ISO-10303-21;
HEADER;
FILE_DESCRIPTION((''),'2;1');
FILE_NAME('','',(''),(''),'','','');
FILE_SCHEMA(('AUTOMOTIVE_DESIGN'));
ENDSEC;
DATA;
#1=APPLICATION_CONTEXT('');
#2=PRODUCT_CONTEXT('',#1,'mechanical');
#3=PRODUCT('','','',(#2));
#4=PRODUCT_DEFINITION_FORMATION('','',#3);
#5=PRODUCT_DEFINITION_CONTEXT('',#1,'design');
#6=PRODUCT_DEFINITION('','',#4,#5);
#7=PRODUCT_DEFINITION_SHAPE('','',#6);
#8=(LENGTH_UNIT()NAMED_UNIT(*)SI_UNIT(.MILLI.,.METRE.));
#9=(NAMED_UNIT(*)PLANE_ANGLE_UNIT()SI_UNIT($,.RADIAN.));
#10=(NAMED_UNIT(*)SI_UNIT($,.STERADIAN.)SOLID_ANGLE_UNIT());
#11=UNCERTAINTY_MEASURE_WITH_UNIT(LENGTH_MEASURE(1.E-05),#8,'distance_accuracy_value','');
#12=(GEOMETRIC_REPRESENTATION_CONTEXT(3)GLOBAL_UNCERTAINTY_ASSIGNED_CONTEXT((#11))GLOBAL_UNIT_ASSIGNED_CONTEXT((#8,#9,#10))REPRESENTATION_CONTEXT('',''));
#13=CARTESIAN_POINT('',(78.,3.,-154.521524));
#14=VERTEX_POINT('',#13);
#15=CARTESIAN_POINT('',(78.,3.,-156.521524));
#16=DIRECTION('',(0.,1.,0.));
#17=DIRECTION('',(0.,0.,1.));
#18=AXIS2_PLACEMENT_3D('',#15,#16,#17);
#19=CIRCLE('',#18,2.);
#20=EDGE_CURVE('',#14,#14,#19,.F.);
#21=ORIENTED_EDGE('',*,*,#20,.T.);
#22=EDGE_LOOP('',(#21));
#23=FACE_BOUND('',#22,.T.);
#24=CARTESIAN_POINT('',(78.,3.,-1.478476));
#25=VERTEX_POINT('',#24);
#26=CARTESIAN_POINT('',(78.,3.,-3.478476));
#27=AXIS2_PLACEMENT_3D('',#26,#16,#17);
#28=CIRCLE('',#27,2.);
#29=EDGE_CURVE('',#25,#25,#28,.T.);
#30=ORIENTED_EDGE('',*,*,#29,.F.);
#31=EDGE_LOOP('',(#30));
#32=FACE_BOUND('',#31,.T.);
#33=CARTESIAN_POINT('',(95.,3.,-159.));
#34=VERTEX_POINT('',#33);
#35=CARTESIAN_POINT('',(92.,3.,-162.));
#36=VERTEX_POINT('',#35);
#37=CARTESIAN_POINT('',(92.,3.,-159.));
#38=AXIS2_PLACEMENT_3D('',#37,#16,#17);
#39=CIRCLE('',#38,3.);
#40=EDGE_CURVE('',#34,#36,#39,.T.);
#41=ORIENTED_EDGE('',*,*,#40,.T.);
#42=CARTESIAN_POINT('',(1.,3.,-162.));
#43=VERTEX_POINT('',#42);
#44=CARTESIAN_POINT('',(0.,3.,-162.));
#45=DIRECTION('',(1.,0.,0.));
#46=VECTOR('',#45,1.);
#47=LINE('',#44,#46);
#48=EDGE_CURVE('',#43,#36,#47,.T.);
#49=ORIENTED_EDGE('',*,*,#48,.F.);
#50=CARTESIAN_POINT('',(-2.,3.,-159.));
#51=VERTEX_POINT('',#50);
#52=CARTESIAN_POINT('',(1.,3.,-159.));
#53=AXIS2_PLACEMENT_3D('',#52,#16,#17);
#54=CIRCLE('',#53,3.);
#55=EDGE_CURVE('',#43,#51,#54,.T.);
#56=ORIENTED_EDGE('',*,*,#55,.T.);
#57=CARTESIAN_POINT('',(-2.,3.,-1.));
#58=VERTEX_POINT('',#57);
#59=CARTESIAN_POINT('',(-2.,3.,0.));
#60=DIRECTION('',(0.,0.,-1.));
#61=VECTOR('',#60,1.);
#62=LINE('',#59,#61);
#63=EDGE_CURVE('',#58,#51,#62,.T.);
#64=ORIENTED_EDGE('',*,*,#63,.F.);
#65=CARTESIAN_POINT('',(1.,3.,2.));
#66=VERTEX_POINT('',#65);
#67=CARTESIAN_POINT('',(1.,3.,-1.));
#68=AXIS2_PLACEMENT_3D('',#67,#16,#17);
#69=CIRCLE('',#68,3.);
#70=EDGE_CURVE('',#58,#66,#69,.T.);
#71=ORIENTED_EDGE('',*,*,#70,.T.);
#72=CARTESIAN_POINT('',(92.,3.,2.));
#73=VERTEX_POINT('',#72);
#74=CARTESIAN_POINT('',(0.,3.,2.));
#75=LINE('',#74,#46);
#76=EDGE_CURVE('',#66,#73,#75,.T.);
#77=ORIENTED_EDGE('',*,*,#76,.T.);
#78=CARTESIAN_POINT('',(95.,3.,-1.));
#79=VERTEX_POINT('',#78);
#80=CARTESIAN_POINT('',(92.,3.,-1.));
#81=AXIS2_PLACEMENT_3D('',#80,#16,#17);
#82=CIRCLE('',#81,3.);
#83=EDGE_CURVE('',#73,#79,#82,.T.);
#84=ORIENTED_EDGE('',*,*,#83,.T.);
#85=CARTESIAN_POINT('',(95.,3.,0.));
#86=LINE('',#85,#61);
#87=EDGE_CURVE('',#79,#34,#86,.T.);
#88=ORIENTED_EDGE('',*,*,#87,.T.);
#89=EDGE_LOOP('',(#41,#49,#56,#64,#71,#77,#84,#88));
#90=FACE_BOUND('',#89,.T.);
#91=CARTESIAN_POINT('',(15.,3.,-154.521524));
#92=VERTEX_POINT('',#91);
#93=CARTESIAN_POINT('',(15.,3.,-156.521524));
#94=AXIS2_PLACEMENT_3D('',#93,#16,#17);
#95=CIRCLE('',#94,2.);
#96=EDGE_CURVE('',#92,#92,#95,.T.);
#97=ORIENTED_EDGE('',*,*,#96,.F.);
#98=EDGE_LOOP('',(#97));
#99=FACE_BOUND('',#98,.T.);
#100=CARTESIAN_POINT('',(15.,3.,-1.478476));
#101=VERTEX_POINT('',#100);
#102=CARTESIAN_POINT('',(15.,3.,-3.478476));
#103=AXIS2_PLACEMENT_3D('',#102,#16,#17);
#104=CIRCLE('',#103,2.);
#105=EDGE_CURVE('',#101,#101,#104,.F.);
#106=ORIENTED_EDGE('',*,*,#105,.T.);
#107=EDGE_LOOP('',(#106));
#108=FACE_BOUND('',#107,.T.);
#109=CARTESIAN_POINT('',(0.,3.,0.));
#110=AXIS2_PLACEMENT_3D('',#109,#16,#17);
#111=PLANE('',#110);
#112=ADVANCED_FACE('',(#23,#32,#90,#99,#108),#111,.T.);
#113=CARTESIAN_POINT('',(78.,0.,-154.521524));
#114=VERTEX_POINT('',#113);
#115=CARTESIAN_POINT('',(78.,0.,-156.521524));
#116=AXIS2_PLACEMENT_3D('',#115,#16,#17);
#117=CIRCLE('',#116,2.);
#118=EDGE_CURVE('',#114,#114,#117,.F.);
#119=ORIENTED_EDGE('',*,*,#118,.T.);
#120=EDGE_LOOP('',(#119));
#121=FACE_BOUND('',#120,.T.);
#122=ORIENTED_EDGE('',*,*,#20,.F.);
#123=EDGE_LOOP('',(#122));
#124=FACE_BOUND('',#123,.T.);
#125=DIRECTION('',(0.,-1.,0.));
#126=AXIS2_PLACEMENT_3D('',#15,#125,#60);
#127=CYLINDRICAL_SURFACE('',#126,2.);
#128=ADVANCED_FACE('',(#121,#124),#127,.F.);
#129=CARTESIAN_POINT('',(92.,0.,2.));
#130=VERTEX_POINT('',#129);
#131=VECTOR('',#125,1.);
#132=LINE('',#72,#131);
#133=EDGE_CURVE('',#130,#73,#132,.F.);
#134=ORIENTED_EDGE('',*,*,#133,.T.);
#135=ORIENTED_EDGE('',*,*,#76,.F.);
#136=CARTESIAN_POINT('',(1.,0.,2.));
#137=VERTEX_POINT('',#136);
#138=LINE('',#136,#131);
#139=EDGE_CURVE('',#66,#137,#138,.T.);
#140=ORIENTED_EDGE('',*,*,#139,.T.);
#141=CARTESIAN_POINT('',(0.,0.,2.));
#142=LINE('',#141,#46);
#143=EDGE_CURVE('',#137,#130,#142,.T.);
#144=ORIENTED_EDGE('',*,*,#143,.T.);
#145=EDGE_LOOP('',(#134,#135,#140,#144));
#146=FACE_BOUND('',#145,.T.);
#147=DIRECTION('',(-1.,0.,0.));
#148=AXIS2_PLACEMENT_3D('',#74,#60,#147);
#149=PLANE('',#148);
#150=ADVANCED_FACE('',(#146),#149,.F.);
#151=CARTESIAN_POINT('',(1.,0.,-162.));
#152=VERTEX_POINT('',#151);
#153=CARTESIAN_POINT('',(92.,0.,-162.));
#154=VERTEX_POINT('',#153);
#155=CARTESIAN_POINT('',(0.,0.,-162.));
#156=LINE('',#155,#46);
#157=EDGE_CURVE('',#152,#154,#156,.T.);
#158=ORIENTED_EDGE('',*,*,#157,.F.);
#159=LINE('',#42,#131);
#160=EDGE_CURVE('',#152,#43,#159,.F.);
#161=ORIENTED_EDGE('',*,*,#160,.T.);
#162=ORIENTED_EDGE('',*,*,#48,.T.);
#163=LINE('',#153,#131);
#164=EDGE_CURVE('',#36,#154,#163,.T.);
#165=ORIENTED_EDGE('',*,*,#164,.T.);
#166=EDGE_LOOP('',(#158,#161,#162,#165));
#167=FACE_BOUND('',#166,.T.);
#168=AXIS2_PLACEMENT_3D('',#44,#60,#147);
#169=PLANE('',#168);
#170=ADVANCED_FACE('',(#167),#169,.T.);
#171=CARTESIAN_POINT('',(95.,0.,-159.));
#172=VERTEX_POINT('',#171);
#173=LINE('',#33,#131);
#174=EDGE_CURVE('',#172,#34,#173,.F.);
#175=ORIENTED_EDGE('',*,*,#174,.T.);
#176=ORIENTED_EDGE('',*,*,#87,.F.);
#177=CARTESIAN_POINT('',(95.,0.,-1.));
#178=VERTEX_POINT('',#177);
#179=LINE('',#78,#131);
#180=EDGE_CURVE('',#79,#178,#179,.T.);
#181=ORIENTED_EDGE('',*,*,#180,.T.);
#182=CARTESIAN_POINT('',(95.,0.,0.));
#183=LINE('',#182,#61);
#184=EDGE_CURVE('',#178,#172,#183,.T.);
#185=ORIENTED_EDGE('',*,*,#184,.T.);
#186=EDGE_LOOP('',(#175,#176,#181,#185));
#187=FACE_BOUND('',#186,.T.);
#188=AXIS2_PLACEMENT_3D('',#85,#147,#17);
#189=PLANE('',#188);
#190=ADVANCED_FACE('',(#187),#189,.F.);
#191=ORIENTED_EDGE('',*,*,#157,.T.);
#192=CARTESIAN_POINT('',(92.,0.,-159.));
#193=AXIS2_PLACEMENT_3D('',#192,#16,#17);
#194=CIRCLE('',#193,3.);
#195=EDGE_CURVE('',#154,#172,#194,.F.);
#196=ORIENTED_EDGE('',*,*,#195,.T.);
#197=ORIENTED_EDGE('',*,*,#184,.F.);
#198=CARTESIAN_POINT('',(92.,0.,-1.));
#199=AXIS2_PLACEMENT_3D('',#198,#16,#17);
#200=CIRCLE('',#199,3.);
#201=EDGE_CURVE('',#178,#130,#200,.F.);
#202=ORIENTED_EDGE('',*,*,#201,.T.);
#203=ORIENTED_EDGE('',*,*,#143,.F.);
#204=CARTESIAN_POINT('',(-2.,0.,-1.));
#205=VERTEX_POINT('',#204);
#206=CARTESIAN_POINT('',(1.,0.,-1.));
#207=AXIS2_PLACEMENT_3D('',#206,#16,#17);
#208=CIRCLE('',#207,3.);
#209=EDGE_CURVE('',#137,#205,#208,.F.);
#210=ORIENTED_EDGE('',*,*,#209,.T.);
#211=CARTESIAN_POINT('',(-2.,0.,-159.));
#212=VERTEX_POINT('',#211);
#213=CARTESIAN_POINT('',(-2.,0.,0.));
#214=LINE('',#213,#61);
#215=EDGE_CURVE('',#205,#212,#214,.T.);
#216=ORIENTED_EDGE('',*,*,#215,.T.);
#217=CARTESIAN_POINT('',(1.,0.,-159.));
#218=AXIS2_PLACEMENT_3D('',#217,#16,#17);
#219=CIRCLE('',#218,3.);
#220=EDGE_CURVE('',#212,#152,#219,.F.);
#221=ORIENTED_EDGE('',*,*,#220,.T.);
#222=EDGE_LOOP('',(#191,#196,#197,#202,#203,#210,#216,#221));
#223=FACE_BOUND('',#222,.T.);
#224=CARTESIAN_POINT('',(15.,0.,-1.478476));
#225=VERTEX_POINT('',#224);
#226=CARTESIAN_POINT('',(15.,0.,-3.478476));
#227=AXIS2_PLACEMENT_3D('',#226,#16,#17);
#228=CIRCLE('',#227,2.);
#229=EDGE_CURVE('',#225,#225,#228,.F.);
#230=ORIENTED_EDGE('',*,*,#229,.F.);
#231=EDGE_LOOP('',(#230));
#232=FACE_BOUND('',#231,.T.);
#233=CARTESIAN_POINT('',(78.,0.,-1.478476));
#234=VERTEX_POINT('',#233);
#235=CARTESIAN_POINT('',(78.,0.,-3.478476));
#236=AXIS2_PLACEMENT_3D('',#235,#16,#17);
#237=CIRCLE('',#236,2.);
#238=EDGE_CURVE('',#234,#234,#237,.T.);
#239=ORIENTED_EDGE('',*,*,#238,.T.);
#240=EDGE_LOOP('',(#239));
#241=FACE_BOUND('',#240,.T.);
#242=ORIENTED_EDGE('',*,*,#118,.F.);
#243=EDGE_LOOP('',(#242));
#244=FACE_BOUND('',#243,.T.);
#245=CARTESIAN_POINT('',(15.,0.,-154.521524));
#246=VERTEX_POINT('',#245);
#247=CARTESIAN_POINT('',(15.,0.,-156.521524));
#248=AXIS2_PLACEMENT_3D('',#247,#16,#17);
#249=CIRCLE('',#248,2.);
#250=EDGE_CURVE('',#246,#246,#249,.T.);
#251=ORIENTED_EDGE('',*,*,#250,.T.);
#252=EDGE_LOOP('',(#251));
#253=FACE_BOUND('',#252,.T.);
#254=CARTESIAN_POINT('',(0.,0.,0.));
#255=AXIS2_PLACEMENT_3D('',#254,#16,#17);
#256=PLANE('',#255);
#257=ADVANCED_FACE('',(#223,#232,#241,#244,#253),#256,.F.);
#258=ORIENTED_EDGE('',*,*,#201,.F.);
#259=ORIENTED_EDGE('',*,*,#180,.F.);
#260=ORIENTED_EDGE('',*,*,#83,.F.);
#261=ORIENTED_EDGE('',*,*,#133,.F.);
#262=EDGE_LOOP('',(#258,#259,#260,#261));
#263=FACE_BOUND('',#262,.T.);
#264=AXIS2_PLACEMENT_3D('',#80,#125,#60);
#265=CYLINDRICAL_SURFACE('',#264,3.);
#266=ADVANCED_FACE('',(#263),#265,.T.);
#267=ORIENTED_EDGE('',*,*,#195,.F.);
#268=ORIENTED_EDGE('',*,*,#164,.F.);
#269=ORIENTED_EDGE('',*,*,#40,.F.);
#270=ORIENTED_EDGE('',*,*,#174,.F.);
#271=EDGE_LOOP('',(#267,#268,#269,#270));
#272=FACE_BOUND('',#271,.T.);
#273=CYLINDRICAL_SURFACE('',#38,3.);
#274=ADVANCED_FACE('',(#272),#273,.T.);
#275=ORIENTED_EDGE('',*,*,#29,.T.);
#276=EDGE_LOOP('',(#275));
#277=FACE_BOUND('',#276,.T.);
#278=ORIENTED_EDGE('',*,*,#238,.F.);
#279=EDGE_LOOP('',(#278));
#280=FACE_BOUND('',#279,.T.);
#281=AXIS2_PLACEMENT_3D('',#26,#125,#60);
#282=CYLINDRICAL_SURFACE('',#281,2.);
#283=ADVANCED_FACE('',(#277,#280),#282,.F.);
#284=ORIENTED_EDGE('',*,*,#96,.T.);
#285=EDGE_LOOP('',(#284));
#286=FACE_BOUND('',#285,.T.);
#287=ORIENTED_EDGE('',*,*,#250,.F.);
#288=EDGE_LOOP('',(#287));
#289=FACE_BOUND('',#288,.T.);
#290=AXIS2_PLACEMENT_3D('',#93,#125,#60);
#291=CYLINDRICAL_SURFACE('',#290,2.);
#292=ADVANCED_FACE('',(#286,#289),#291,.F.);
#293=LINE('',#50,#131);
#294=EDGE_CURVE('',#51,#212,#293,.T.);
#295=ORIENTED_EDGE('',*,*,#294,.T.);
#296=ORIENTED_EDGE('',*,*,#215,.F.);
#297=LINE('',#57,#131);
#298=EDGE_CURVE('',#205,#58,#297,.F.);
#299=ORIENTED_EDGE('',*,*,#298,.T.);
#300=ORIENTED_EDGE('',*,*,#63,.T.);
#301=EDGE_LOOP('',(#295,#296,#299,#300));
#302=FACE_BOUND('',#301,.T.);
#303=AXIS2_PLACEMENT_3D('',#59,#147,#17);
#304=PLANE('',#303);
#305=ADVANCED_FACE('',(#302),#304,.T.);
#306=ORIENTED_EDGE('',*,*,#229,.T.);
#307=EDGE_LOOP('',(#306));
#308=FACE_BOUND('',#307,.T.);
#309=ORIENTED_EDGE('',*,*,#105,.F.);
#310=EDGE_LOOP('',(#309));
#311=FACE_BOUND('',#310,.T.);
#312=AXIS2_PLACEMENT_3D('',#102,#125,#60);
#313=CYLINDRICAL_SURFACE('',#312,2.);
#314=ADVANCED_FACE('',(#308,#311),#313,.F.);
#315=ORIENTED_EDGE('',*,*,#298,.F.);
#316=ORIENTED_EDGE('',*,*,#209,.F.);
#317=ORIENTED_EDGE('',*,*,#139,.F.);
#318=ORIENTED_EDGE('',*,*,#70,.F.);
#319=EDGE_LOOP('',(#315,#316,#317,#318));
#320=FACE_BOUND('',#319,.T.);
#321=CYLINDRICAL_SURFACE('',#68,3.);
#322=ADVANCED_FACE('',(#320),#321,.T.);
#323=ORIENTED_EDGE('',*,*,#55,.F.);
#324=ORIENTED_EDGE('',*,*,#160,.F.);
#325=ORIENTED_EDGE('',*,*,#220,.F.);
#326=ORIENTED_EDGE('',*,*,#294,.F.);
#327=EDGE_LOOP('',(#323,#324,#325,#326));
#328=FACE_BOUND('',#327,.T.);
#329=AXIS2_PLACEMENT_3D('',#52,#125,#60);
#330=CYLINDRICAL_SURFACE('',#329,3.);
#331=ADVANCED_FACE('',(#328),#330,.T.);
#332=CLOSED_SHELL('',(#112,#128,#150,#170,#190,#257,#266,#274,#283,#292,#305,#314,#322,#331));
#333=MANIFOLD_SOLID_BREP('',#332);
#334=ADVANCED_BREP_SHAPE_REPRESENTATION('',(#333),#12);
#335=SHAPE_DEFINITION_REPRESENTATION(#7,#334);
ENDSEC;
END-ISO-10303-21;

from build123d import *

# Parameters (mm, degrees)
SKETCH2_W           = 97
SKETCH2_H           = 164
SKETCH2_R           = 2
BOSS_EXTRUDE1_DEPTH = 3
FILLET12_R          = 3


with BuildPart() as part:
    # Sketch2 → Boss-Extrude1 (new body)
    with BuildSketch(Plane(origin=(0, 0, 0), x_dir=(1, 0, 0), z_dir=(0, 1, 0))):
        with Locations((46.5, 80)):
            Rectangle(SKETCH2_W, SKETCH2_H)
        with Locations(Location((15, 3.47847595, 0), (0, 0, 270))):
            Circle(SKETCH2_R, mode=Mode.SUBTRACT)
        with Locations(Location((78, 3.47847595, 0), (0, 0, 270))):
            Circle(SKETCH2_R, mode=Mode.SUBTRACT)
        with Locations(Location((15, 156.52152405, 0), (0, 0, 270))):
            Circle(SKETCH2_R, mode=Mode.SUBTRACT)
        with Locations(Location((78, 156.52152405, 0), (0, 0, 270))):
            Circle(SKETCH2_R, mode=Mode.SUBTRACT)
    extrude(amount=BOSS_EXTRUDE1_DEPTH)

    # Fillet12
    fillet12_edges = [part.edges().sort_by_distance(p)[0] for p in [
        (-2, 1.5, -162),
        (95, 1.5, -162),
        (95, 1.5, 2),
        (-2, 1.5, 2),
    ]]
    fillet(fillet12_edges, radius=FILLET12_R)


solid = part.part
